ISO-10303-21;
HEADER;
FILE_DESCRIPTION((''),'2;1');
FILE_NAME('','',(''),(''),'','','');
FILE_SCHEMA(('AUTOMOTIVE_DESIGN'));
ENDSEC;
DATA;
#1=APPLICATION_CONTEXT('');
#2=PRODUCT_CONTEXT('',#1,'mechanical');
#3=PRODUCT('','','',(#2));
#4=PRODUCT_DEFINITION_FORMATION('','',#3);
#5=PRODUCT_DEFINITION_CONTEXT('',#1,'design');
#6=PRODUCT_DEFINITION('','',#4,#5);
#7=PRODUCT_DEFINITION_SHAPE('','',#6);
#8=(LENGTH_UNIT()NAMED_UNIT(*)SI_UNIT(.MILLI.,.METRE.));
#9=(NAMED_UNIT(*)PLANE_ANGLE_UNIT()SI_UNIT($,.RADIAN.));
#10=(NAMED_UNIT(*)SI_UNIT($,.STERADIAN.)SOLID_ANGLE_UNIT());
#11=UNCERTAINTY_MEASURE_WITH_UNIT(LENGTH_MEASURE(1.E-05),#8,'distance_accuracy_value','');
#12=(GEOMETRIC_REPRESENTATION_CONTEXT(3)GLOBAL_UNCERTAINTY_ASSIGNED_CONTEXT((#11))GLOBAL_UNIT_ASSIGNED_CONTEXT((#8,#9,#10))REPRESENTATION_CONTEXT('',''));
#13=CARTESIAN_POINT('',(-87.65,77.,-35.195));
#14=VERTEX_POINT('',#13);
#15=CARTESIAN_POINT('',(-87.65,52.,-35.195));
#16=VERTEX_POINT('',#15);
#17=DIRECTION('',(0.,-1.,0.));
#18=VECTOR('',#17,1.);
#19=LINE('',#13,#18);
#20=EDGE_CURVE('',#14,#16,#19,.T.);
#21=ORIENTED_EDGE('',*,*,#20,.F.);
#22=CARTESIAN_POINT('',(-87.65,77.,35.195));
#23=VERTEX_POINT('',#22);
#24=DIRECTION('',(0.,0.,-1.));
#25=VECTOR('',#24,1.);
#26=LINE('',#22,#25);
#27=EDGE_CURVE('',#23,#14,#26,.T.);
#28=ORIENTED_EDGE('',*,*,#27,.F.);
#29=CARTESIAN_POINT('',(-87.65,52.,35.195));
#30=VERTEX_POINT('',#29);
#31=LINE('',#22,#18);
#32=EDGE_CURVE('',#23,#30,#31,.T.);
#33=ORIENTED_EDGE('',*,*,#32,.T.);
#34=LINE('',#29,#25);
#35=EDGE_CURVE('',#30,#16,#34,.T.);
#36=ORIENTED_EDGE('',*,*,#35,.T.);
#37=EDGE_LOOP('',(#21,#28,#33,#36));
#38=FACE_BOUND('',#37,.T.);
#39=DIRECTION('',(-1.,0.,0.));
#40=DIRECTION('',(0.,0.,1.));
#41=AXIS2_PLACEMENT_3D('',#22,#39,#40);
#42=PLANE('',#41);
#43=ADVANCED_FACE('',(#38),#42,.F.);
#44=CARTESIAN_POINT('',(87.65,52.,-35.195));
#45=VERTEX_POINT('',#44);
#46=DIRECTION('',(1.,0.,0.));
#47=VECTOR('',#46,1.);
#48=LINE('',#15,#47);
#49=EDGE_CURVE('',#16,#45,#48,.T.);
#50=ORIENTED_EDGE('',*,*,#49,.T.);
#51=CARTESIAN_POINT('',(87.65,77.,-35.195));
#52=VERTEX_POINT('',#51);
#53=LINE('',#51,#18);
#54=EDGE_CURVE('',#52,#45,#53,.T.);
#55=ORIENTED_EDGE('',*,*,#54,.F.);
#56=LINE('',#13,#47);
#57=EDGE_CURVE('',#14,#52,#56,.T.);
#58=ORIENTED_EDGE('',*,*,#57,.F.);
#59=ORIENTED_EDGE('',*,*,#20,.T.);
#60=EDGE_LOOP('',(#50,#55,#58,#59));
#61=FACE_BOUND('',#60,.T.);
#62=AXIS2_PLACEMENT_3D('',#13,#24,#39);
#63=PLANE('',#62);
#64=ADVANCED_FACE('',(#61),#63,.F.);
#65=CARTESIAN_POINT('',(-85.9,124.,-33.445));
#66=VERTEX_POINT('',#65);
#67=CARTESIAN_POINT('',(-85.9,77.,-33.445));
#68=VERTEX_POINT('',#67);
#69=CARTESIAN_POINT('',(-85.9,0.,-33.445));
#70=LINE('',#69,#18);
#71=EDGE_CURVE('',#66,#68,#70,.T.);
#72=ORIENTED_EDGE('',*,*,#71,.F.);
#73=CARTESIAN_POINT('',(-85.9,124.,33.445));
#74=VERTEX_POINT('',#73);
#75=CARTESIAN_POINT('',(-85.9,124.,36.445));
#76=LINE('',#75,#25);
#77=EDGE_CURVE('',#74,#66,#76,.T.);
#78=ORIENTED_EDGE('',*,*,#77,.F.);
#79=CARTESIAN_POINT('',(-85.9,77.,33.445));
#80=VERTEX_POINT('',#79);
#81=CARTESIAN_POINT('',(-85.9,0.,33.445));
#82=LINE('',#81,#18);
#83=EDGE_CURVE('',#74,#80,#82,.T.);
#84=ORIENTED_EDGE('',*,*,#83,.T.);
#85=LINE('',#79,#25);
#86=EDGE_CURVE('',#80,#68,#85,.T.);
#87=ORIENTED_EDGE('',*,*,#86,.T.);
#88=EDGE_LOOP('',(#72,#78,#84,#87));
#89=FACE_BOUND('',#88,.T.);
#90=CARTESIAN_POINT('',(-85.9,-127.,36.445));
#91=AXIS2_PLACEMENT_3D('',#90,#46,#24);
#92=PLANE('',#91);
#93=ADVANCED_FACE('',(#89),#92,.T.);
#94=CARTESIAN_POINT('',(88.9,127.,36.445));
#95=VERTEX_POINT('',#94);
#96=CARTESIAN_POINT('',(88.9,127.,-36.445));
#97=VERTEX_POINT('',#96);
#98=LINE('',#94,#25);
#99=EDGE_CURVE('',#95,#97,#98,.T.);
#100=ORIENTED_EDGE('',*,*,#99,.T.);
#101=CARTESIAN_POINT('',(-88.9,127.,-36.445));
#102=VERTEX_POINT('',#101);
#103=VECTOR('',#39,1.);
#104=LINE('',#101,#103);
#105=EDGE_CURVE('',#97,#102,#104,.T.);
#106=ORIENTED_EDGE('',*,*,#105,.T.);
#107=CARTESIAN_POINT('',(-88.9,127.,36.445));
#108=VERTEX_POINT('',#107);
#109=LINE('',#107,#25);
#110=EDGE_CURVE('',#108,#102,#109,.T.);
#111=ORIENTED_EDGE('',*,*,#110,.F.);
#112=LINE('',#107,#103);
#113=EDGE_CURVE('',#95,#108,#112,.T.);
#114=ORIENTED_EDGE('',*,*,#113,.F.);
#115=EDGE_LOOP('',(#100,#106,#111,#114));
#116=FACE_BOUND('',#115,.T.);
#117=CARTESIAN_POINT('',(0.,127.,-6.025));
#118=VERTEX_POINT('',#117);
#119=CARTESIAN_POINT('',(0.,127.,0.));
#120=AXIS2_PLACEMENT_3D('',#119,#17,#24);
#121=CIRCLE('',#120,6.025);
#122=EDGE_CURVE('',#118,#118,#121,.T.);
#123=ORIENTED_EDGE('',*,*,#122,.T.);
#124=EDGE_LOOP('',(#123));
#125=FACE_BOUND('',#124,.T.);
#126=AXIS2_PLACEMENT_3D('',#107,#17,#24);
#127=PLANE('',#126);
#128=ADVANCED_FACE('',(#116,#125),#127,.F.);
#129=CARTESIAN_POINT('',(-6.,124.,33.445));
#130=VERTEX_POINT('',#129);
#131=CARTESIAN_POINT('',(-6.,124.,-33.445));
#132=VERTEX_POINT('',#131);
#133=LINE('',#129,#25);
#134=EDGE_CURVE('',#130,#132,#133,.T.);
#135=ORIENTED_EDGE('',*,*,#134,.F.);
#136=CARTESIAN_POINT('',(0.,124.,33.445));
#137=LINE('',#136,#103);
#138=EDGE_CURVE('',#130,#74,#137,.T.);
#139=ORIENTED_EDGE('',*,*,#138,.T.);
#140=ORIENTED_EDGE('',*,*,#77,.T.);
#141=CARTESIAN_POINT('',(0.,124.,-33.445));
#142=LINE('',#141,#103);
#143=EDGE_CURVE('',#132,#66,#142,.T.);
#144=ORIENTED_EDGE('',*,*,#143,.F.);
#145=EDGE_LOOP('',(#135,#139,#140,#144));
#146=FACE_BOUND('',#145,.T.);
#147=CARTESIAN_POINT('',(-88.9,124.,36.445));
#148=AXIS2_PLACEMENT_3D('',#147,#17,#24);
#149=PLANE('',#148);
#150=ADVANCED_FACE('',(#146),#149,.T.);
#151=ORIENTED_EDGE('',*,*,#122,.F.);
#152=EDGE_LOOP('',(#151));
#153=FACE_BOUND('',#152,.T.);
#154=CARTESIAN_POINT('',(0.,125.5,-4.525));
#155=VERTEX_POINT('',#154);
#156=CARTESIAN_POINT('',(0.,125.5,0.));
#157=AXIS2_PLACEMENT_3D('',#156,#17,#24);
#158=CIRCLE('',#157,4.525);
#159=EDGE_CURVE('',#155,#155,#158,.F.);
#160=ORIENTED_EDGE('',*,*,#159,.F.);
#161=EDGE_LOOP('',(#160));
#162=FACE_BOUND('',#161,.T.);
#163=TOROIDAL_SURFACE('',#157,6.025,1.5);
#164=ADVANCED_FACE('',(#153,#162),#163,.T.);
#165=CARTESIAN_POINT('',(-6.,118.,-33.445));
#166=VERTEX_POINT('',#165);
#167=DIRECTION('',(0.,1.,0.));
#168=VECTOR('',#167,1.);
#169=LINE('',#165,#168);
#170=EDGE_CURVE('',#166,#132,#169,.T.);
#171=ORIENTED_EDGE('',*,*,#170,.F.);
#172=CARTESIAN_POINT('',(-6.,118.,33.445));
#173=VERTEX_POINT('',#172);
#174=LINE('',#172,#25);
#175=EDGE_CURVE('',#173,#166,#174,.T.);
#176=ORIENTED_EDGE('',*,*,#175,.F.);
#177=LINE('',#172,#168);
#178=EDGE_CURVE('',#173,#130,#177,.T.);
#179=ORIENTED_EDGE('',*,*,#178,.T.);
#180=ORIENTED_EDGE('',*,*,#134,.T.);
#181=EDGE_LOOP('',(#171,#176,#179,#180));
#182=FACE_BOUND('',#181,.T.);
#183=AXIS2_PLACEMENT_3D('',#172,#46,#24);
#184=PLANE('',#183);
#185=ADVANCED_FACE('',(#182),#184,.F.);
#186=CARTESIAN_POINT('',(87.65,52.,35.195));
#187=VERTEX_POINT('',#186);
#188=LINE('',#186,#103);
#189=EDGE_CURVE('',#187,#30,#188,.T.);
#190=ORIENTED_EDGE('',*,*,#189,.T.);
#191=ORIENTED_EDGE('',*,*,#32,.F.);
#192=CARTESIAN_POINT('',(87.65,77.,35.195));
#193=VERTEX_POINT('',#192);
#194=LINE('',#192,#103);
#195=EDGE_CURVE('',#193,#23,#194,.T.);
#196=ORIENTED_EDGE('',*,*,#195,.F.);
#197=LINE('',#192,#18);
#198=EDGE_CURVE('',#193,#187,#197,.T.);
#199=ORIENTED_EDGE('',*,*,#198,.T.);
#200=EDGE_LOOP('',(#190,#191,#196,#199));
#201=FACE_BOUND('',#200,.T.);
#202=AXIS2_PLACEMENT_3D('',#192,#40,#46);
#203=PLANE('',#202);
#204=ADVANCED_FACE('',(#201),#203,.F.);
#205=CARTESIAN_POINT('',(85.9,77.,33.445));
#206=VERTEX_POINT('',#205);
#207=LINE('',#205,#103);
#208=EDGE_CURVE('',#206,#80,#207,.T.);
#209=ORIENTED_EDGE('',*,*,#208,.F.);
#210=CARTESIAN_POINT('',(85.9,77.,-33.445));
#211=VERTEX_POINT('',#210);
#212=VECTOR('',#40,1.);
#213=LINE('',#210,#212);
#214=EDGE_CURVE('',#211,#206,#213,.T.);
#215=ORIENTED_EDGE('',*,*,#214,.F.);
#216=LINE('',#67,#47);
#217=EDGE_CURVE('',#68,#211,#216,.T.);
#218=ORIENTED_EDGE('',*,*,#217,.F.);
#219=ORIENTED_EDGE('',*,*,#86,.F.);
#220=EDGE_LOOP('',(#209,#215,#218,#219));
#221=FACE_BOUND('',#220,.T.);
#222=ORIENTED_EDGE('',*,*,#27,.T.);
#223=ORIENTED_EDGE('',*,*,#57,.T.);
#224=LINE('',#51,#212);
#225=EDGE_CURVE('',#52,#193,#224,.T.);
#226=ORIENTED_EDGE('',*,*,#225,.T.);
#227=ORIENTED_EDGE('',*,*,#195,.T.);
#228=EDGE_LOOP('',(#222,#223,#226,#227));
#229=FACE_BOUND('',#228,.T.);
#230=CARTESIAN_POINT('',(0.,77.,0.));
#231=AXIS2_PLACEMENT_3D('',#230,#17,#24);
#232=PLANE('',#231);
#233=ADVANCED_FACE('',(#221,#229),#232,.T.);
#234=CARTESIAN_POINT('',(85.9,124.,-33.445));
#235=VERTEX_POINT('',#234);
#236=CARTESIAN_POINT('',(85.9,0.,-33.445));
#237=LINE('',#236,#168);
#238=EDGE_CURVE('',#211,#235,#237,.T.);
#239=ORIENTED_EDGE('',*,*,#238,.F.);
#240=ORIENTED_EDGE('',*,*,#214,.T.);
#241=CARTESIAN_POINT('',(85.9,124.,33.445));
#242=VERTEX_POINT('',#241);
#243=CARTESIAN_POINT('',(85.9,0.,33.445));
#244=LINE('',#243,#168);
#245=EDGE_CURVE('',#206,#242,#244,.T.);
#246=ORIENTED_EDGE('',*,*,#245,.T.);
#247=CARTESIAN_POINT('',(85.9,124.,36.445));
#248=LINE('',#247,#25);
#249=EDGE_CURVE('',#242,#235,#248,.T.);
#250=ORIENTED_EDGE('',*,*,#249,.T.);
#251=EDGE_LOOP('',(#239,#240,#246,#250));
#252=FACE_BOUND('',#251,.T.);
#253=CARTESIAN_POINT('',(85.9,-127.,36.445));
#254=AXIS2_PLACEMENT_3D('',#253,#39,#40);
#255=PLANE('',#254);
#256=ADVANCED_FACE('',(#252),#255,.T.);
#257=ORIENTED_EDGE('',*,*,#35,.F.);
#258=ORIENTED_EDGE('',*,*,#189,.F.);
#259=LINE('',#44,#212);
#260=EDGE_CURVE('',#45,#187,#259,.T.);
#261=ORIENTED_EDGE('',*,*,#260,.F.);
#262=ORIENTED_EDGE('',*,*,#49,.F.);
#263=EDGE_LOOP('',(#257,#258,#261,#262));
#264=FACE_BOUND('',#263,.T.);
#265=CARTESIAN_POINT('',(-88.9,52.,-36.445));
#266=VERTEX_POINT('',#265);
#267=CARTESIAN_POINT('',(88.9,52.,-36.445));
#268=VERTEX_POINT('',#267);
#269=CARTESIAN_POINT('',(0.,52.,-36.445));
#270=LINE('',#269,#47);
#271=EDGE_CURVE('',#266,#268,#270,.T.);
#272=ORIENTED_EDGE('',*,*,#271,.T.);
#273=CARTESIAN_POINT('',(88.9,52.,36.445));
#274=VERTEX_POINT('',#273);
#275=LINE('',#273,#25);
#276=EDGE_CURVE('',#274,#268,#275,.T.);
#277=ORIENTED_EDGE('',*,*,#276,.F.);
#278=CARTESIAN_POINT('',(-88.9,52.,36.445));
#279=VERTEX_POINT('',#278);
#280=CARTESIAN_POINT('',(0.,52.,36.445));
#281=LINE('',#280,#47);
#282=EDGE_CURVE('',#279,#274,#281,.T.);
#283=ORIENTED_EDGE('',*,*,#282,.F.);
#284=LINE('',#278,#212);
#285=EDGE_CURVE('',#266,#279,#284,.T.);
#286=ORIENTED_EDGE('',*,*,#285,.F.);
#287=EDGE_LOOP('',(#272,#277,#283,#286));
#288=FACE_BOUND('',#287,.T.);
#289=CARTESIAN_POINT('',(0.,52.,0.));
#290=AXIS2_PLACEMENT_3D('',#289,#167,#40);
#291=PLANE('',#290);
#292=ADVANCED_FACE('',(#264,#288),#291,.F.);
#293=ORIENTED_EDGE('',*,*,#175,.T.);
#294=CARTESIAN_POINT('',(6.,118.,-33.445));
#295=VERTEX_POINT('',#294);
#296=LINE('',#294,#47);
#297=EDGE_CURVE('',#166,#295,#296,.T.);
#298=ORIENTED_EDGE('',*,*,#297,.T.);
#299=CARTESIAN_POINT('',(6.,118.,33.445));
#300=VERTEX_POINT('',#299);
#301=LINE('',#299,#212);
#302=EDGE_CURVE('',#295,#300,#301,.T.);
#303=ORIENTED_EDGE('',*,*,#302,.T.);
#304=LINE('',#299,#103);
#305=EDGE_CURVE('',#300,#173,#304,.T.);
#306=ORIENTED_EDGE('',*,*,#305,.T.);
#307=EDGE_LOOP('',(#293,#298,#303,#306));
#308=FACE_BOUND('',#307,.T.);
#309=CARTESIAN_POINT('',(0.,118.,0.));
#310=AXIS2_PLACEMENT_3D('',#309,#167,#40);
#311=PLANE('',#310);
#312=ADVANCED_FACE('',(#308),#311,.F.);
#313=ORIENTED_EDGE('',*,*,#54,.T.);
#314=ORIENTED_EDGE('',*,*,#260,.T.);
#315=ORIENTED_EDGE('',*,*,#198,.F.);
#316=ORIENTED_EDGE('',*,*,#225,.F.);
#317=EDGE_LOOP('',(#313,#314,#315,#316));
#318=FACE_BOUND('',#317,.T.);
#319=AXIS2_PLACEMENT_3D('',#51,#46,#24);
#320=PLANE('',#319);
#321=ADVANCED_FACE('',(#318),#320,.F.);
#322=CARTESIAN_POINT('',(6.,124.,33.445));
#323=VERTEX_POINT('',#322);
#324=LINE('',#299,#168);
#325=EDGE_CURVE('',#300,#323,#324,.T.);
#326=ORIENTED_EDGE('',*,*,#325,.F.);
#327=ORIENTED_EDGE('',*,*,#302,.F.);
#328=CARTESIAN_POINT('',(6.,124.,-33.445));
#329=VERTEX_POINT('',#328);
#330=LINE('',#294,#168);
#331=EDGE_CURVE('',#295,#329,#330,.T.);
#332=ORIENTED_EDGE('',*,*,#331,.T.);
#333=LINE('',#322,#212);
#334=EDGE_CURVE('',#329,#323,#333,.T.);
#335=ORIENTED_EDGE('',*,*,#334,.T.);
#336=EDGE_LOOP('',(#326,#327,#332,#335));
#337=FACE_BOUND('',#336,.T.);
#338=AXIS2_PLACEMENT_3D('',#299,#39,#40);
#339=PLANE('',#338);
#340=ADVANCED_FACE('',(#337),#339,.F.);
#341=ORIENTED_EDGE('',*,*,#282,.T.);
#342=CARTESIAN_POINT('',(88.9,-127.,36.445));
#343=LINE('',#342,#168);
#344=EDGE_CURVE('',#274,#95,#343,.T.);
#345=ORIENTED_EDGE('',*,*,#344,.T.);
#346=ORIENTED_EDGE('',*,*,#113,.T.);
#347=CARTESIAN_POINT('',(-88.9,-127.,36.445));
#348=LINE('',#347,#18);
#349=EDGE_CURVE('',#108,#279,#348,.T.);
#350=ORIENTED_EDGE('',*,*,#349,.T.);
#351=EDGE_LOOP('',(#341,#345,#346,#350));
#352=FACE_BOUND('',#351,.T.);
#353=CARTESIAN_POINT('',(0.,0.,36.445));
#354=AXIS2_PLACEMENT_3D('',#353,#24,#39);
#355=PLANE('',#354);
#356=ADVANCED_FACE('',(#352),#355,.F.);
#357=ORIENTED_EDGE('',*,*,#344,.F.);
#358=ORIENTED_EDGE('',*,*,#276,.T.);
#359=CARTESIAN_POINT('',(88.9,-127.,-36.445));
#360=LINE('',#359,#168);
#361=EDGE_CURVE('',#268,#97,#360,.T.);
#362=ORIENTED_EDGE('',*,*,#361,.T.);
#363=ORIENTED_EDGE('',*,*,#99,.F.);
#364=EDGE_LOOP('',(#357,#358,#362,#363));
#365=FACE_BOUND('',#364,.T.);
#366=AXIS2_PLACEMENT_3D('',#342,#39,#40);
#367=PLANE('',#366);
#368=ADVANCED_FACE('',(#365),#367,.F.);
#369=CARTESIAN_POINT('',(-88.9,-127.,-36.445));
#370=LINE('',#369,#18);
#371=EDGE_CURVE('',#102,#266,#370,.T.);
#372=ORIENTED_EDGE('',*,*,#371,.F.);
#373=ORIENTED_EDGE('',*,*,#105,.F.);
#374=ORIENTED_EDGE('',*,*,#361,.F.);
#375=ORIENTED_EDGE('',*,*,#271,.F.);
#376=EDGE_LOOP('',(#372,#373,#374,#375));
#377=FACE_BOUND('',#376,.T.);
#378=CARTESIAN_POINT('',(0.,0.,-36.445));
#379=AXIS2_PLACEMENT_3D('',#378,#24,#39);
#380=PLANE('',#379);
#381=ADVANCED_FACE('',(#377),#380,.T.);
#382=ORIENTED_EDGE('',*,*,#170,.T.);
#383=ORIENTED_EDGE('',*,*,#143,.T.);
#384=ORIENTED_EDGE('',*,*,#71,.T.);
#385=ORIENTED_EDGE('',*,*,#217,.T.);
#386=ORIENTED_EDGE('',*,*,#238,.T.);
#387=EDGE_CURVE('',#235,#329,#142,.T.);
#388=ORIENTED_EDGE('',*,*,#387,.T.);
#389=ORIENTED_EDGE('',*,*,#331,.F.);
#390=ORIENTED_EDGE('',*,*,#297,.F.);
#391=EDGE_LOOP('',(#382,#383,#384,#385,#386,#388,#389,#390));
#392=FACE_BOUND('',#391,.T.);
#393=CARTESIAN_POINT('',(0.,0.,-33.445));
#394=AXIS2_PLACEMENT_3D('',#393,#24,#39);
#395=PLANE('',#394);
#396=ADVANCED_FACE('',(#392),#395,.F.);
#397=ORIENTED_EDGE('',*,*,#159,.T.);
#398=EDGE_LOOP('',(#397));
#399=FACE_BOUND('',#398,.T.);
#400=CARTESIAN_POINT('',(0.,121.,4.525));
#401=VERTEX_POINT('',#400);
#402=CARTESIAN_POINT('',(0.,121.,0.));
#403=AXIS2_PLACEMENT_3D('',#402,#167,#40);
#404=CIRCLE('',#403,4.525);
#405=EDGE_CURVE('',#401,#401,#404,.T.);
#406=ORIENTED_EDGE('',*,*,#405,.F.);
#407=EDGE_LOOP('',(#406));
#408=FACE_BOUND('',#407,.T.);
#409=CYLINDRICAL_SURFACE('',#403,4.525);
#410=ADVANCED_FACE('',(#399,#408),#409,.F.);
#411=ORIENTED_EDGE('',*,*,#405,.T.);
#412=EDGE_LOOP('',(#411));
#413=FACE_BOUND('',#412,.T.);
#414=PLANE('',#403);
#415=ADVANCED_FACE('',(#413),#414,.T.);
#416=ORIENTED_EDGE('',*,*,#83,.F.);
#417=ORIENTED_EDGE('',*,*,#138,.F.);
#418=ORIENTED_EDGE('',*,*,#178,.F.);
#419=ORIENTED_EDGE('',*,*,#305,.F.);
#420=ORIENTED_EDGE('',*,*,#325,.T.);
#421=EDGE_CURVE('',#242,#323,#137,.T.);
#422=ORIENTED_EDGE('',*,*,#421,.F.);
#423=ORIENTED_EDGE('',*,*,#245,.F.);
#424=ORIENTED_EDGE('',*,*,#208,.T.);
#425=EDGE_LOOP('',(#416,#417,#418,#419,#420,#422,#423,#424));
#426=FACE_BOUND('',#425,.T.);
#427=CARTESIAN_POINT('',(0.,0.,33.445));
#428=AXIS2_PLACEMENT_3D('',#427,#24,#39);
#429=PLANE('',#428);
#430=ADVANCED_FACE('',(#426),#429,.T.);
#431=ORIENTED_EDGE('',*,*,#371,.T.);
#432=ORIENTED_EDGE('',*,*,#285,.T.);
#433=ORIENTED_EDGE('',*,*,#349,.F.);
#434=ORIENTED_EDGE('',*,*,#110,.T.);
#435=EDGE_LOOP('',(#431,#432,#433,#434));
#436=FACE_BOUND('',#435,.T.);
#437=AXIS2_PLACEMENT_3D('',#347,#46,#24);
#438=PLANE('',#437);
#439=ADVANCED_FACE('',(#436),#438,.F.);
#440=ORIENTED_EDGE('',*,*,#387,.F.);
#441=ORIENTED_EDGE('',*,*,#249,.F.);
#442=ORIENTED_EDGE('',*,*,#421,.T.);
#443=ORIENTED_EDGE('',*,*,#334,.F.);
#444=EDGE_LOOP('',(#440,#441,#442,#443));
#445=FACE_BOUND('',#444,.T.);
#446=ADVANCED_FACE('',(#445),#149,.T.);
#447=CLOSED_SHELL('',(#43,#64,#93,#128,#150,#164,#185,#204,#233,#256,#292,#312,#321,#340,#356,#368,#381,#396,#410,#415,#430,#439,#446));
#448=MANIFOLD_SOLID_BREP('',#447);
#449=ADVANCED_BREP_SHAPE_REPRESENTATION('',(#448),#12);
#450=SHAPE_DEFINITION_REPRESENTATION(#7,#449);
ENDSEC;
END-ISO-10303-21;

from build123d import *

# Parameters (mm, degrees)
SKETCH1_W           = 177.8
SKETCH1_H           = 254
BOSS_EXTRUDE1_DEPTH = 36.445
SHELL1_T            = 3
SKETCH2_R           = 22
CUT_EXTRUDE1_DEPTH  = 3
SKETCH3_R           = 5
CUT_EXTRUDE2_DEPTH  = 3
SKETCH12_W          = 12
SKETCH12_H          = 66.89
BOSS_EXTRUDE5_DEPTH = 6
SKETCH10_R          = 4.525
CUT_EXTRUDE8_DEPTH  = 6
SKETCH13_W          = 174.8
SKETCH13_H          = 69.89
SKETCH13_W_2        = 171.8
SKETCH13_H_2        = 66.89
BOSS_EXTRUDE6_DEPTH = 10
SKETCH14_W          = 175.3
SKETCH14_H          = 70.39
SKETCH14_W_2        = 171.8
SKETCH14_H_2        = 66.89
CUT_EXTRUDE9_DEPTH  = 25
SKETCH17_W          = 171.8
SKETCH17_H          = 66.89
BOSS_EXTRUDE7_DEPTH = 2
SKETCH15_R          = 8.05
CUT_EXTRUDE10_DEPTH = 5
SKETCH18_R          = 2.875
CUT_EXTRUDE11_DEPTH = 4.7
FILLET1_R           = 1.5


with BuildPart() as part:
    # Sketch1 → Boss-Extrude1 (new, symmetric)
    with BuildSketch(Plane.XY):
        Rectangle(SKETCH1_W, SKETCH1_H)
    extrude(amount=BOSS_EXTRUDE1_DEPTH, both=True)

    # Shell1 (no face opened: a closed hollow body)
    add(offset(amount=-SHELL1_T, mode=Mode.PRIVATE), mode=Mode.SUBTRACT)

    # Sketch2 → Cut-Extrude1 (cut)
    with BuildSketch(Plane(origin=(0, 0, 33.445), x_dir=(-1, 0, 0), z_dir=(0, 0, -1))):
        with Locations((0, -4)):
            Circle(SKETCH2_R)
    extrude(amount=-CUT_EXTRUDE1_DEPTH, mode=Mode.SUBTRACT)

    # Sketch3 → Cut-Extrude2 (cut)
    with BuildSketch(Plane.XY.offset(-33.445)):
        with Locations((-20.9, 34)):
            Circle(SKETCH3_R)
    extrude(amount=-CUT_EXTRUDE2_DEPTH, mode=Mode.SUBTRACT)

    # Sketch12 → Boss-Extrude5 (add)
    with BuildSketch(Plane.XZ.offset(-124)):
        Rectangle(SKETCH12_W, SKETCH12_H)
    extrude(amount=BOSS_EXTRUDE5_DEPTH)

    # Sketch10 → Cut-Extrude8 (cut)
    with BuildSketch(Plane(origin=(0, 127, 0), x_dir=(1, 0, 0), z_dir=(0, 1, 0))):
        with Locations(Location((0, 0, 0), (0, 0, 270))):
            Circle(SKETCH10_R)
    extrude(amount=-CUT_EXTRUDE8_DEPTH, mode=Mode.SUBTRACT)


with BuildPart() as body_2:
    # Split2: the piece on the far side of the plane
    add(part.part)
    split(bisect_by=Plane.ZX.offset(52), keep=Keep.BOTTOM)

    # Sketch13 → Boss-Extrude6 (add)
    with BuildSketch(Plane(origin=(0, 52, 0), x_dir=(1, 0, 0), z_dir=(0, 1, 0))):
        Rectangle(SKETCH13_W, SKETCH13_H)
        Rectangle(SKETCH13_W_2, SKETCH13_H_2, mode=Mode.SUBTRACT)
    extrude(amount=BOSS_EXTRUDE6_DEPTH)

    # Sketch17 → Boss-Extrude7 (add)
    with BuildSketch(Plane(origin=(0, -124, 0), x_dir=(1, 0, 0), z_dir=(0, 1, 0))):
        Rectangle(SKETCH17_W, SKETCH17_H)
    extrude(amount=BOSS_EXTRUDE7_DEPTH)

    # Sketch15 → Cut-Extrude10 (cut)
    with BuildSketch(Plane.XZ.offset(127)):
        with Locations(Location((0, 0, 0), (0, 0, 270))):
            Circle(SKETCH15_R)
    extrude(amount=-CUT_EXTRUDE10_DEPTH, mode=Mode.SUBTRACT)

    # Sketch18 → Cut-Extrude11 (cut)
    with BuildSketch(Plane.XZ.offset(127)):
        with Locations(Location((-7.778174593, 7.778174593, 0), (0, 0, 270))):
            Circle(SKETCH18_R)
        with Locations(Location((7.778174593, 7.778174593, 0), (0, 0, 270))):
            Circle(SKETCH18_R)
        with Locations(Location((7.778174593, -7.778174593, 0), (0, 0, 270))):
            Circle(SKETCH18_R)
        with Locations(Location((-7.778174593, -7.778174593, 0), (0, 0, 270))):
            Circle(SKETCH18_R)
    extrude(amount=-CUT_EXTRUDE11_DEPTH, mode=Mode.SUBTRACT)


with BuildPart() as part_1:
    add(part.part)

    # Split2
    split(bisect_by=Plane.ZX.offset(52), keep=Keep.TOP)

    # Sketch14 → Cut-Extrude9 (cut)
    with BuildSketch(Plane.XZ.offset(-52)):
        Rectangle(SKETCH14_W, SKETCH14_H)
        Rectangle(SKETCH14_W_2, SKETCH14_H_2, mode=Mode.SUBTRACT)
    extrude(amount=-CUT_EXTRUDE9_DEPTH, mode=Mode.SUBTRACT)

    # Fillet1
    fillet1_edges = [part_1.edges().sort_by_distance(p)[0] for p in [
        (0, 127, -4.525),
    ]]
    fillet(fillet1_edges, radius=FILLET1_R)


solid = part_1.part
